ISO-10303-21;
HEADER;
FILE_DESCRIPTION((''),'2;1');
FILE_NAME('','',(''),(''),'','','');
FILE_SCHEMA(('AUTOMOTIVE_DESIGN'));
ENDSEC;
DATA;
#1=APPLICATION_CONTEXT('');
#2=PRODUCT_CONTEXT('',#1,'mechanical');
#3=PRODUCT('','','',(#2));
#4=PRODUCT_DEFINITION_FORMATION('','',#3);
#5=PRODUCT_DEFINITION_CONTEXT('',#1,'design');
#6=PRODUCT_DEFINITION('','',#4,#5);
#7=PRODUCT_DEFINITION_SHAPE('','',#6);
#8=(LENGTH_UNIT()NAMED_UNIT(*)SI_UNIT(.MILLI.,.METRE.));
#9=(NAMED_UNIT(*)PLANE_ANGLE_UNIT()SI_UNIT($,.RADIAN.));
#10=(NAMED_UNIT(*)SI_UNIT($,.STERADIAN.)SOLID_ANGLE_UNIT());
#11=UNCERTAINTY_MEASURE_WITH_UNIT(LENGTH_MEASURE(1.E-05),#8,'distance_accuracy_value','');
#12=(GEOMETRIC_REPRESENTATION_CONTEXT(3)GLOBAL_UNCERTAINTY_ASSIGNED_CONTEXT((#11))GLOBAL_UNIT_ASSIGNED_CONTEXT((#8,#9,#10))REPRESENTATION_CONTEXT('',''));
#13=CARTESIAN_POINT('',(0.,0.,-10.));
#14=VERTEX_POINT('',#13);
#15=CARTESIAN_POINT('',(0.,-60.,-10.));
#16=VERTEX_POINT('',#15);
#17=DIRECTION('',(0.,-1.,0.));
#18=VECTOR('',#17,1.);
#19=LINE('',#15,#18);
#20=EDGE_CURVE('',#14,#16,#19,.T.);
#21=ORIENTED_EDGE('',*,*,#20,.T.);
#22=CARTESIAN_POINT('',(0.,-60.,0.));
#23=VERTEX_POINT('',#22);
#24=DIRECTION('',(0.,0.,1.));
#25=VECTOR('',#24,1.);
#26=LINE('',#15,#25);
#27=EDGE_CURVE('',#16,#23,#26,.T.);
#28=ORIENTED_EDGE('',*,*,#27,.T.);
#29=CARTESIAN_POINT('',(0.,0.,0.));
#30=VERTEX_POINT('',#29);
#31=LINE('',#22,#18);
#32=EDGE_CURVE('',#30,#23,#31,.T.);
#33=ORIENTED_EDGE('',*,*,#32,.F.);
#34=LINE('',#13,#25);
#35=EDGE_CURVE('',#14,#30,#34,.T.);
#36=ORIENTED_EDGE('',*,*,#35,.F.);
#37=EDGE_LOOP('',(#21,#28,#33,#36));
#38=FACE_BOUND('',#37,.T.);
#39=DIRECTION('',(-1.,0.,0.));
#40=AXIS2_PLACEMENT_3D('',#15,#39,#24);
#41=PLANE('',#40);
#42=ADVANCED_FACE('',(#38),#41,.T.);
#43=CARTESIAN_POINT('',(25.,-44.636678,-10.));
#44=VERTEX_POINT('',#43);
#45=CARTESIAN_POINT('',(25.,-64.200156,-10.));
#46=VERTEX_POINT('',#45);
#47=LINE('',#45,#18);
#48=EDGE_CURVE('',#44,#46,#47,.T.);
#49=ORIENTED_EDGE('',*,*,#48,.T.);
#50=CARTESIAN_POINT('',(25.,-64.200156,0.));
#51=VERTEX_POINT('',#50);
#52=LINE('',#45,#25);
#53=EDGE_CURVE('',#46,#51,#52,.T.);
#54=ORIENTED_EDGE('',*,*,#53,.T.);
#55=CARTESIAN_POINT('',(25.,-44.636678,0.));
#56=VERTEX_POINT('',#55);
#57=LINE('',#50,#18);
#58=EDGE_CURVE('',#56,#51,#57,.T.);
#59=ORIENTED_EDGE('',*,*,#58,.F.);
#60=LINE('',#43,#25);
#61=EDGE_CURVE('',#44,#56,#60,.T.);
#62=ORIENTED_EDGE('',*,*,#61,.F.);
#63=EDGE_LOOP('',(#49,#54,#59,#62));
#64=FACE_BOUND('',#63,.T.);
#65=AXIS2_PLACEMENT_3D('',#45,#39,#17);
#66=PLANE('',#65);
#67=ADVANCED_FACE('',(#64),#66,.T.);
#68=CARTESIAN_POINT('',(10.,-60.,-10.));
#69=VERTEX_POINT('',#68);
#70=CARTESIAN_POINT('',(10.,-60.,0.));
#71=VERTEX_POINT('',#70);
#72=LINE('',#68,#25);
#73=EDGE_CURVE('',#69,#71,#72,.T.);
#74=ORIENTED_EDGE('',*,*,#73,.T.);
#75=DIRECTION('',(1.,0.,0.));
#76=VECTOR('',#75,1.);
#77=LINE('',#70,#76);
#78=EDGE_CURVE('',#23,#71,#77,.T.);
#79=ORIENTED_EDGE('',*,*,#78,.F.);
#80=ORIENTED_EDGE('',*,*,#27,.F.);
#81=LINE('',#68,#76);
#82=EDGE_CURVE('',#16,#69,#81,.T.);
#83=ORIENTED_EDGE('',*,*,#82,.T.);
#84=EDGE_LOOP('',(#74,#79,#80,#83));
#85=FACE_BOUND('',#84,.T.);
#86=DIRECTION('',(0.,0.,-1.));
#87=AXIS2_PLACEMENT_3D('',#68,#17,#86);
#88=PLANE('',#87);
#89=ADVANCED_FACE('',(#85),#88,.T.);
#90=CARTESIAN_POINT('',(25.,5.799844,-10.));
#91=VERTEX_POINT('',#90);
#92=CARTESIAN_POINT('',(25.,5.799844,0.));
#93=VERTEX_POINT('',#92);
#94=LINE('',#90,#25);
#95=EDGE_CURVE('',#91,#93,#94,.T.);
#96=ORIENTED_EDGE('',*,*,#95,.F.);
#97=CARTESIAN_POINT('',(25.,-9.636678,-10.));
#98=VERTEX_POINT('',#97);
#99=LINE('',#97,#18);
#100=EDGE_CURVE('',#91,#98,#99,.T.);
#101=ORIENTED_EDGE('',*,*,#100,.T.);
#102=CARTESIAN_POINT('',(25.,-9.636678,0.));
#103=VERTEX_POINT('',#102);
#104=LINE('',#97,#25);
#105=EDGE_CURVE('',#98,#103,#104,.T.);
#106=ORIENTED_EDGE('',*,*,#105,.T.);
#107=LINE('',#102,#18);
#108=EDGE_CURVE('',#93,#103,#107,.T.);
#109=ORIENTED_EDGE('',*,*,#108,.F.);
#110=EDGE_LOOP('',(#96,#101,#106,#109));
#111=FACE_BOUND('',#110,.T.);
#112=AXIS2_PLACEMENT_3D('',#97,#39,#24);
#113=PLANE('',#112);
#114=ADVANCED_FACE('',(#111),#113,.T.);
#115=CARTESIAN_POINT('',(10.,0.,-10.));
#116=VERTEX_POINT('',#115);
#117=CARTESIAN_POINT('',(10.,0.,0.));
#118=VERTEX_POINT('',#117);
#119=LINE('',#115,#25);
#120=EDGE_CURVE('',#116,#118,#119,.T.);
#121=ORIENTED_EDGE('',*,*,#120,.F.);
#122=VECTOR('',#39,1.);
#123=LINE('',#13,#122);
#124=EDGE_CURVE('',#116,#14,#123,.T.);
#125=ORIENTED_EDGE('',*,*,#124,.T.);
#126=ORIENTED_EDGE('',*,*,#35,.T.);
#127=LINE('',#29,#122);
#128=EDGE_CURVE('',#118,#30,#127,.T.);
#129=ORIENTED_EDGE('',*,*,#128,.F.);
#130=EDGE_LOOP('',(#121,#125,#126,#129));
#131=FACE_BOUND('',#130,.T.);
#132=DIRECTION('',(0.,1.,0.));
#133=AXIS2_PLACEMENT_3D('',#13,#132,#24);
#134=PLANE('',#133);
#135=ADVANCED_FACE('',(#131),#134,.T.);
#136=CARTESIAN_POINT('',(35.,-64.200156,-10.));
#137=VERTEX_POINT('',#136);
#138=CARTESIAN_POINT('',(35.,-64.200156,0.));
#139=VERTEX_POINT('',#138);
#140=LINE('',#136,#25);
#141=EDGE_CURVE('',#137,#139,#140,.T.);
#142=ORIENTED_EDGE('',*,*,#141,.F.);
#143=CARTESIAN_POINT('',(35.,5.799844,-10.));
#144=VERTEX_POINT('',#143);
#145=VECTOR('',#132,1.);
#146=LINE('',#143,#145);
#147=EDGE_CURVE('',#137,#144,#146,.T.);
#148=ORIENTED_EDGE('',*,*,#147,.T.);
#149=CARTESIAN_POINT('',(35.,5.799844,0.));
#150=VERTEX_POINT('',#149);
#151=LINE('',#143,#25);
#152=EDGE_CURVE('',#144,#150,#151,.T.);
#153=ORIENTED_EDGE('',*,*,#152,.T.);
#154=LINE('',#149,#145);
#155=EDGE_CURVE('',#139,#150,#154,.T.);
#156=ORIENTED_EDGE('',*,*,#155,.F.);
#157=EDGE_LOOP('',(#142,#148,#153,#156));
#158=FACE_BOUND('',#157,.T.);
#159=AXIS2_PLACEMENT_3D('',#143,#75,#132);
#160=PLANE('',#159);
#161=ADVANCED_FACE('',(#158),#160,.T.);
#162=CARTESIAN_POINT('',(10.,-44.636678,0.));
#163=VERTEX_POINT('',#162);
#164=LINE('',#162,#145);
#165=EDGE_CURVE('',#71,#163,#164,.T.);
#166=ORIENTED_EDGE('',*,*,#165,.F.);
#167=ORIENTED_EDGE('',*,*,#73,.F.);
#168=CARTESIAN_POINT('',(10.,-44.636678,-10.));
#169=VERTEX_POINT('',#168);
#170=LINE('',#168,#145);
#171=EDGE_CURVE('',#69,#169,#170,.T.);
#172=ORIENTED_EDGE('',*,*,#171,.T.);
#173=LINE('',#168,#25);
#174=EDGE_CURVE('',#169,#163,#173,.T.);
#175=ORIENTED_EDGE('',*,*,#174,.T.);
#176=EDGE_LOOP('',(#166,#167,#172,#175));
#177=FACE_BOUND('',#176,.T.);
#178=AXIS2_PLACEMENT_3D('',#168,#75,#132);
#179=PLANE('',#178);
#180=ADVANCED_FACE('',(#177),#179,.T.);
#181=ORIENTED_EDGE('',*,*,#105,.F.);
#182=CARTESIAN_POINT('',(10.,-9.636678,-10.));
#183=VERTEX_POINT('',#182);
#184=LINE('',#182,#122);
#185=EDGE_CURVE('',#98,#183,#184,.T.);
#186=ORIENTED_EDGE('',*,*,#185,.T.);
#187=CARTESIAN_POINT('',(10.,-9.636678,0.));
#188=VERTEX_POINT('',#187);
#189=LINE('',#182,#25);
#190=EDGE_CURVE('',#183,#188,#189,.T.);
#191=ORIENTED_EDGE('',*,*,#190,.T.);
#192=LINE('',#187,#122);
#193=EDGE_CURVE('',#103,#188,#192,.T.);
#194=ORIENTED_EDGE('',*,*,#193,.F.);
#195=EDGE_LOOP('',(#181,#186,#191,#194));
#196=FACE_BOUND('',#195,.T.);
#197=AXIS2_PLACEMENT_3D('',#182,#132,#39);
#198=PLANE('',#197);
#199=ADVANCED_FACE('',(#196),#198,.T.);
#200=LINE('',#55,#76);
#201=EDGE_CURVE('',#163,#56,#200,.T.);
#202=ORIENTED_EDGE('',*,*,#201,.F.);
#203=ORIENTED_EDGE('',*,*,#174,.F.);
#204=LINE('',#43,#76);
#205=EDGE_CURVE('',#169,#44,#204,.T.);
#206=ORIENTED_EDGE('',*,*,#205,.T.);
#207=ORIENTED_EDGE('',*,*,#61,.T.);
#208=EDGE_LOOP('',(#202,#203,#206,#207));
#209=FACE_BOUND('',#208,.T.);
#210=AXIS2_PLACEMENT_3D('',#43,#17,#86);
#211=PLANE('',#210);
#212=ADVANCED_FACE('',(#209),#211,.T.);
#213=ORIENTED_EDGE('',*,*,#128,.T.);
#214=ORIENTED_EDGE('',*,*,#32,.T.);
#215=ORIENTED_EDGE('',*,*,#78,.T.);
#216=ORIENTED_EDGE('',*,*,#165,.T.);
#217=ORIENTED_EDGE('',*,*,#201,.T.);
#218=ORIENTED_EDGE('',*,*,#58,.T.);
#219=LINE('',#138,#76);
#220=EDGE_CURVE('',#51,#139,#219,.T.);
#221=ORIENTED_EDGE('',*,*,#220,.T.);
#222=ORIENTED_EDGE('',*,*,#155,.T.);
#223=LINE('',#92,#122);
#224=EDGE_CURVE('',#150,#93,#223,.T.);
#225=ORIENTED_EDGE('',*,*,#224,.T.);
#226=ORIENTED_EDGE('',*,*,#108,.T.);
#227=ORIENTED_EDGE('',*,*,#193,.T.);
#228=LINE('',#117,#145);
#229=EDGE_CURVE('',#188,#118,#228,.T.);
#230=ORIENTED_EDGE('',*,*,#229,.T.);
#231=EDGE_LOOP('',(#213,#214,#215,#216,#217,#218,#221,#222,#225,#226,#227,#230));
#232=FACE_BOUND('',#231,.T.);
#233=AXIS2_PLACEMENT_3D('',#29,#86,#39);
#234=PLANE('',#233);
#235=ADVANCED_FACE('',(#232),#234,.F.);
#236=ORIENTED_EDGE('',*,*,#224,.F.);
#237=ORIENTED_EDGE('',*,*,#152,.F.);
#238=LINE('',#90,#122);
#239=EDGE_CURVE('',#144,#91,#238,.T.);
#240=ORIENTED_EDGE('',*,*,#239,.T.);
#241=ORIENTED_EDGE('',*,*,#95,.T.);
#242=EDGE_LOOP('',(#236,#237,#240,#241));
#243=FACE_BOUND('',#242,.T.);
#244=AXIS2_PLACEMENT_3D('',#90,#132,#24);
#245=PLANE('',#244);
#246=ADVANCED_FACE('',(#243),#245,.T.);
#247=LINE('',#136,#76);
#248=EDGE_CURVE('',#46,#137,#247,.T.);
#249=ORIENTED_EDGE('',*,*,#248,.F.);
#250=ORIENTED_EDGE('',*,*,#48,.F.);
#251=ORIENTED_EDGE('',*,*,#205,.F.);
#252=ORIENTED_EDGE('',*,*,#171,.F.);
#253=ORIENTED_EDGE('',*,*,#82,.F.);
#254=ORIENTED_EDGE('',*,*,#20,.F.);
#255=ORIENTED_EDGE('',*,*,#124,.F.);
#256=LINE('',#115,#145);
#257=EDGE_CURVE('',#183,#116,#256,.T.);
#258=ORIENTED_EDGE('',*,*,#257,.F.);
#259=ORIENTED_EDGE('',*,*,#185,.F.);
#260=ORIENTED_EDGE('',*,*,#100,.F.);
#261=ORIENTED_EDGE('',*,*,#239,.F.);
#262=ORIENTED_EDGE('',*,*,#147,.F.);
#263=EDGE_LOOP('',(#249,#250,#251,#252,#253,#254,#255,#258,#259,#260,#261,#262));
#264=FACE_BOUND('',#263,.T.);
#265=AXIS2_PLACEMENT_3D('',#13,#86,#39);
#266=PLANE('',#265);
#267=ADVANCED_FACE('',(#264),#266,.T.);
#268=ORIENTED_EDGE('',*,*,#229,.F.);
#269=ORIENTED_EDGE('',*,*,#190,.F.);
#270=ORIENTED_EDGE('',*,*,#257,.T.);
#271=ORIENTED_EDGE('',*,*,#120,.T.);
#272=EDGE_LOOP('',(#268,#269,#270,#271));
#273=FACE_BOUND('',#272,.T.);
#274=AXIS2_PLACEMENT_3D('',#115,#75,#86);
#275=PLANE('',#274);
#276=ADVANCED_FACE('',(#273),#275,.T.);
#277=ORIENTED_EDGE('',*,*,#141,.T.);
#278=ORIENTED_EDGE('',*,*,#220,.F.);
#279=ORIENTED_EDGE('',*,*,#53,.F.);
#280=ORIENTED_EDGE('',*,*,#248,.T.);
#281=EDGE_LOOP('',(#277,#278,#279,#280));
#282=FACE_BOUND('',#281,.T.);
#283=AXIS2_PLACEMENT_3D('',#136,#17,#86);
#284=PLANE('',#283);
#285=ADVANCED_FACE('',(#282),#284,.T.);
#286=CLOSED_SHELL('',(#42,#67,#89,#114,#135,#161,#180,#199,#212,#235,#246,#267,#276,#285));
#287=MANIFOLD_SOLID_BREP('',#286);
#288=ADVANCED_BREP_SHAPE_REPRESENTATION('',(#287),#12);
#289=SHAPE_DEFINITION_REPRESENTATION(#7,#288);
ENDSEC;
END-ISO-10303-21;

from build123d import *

# Parameters (mm, degrees)
BOSS_EXTRU_2_DEPTH = 10


with BuildPart() as part:
    # Esquisse3 → Boss.-Extru.2 (new body)
    with BuildSketch(Plane.XY):
        Polygon((0, 0), (10, 0), (10, -9.636678201), (25, -9.636678201), (25, 5.799844247), (35, 5.799844247), (35, -64.200155753), (25, -64.200155753), (25, -44.636678201), (10, -44.636678201), (10, -60), (0, -60), align=None)
    extrude(amount=-BOSS_EXTRU_2_DEPTH)


solid = part.part
